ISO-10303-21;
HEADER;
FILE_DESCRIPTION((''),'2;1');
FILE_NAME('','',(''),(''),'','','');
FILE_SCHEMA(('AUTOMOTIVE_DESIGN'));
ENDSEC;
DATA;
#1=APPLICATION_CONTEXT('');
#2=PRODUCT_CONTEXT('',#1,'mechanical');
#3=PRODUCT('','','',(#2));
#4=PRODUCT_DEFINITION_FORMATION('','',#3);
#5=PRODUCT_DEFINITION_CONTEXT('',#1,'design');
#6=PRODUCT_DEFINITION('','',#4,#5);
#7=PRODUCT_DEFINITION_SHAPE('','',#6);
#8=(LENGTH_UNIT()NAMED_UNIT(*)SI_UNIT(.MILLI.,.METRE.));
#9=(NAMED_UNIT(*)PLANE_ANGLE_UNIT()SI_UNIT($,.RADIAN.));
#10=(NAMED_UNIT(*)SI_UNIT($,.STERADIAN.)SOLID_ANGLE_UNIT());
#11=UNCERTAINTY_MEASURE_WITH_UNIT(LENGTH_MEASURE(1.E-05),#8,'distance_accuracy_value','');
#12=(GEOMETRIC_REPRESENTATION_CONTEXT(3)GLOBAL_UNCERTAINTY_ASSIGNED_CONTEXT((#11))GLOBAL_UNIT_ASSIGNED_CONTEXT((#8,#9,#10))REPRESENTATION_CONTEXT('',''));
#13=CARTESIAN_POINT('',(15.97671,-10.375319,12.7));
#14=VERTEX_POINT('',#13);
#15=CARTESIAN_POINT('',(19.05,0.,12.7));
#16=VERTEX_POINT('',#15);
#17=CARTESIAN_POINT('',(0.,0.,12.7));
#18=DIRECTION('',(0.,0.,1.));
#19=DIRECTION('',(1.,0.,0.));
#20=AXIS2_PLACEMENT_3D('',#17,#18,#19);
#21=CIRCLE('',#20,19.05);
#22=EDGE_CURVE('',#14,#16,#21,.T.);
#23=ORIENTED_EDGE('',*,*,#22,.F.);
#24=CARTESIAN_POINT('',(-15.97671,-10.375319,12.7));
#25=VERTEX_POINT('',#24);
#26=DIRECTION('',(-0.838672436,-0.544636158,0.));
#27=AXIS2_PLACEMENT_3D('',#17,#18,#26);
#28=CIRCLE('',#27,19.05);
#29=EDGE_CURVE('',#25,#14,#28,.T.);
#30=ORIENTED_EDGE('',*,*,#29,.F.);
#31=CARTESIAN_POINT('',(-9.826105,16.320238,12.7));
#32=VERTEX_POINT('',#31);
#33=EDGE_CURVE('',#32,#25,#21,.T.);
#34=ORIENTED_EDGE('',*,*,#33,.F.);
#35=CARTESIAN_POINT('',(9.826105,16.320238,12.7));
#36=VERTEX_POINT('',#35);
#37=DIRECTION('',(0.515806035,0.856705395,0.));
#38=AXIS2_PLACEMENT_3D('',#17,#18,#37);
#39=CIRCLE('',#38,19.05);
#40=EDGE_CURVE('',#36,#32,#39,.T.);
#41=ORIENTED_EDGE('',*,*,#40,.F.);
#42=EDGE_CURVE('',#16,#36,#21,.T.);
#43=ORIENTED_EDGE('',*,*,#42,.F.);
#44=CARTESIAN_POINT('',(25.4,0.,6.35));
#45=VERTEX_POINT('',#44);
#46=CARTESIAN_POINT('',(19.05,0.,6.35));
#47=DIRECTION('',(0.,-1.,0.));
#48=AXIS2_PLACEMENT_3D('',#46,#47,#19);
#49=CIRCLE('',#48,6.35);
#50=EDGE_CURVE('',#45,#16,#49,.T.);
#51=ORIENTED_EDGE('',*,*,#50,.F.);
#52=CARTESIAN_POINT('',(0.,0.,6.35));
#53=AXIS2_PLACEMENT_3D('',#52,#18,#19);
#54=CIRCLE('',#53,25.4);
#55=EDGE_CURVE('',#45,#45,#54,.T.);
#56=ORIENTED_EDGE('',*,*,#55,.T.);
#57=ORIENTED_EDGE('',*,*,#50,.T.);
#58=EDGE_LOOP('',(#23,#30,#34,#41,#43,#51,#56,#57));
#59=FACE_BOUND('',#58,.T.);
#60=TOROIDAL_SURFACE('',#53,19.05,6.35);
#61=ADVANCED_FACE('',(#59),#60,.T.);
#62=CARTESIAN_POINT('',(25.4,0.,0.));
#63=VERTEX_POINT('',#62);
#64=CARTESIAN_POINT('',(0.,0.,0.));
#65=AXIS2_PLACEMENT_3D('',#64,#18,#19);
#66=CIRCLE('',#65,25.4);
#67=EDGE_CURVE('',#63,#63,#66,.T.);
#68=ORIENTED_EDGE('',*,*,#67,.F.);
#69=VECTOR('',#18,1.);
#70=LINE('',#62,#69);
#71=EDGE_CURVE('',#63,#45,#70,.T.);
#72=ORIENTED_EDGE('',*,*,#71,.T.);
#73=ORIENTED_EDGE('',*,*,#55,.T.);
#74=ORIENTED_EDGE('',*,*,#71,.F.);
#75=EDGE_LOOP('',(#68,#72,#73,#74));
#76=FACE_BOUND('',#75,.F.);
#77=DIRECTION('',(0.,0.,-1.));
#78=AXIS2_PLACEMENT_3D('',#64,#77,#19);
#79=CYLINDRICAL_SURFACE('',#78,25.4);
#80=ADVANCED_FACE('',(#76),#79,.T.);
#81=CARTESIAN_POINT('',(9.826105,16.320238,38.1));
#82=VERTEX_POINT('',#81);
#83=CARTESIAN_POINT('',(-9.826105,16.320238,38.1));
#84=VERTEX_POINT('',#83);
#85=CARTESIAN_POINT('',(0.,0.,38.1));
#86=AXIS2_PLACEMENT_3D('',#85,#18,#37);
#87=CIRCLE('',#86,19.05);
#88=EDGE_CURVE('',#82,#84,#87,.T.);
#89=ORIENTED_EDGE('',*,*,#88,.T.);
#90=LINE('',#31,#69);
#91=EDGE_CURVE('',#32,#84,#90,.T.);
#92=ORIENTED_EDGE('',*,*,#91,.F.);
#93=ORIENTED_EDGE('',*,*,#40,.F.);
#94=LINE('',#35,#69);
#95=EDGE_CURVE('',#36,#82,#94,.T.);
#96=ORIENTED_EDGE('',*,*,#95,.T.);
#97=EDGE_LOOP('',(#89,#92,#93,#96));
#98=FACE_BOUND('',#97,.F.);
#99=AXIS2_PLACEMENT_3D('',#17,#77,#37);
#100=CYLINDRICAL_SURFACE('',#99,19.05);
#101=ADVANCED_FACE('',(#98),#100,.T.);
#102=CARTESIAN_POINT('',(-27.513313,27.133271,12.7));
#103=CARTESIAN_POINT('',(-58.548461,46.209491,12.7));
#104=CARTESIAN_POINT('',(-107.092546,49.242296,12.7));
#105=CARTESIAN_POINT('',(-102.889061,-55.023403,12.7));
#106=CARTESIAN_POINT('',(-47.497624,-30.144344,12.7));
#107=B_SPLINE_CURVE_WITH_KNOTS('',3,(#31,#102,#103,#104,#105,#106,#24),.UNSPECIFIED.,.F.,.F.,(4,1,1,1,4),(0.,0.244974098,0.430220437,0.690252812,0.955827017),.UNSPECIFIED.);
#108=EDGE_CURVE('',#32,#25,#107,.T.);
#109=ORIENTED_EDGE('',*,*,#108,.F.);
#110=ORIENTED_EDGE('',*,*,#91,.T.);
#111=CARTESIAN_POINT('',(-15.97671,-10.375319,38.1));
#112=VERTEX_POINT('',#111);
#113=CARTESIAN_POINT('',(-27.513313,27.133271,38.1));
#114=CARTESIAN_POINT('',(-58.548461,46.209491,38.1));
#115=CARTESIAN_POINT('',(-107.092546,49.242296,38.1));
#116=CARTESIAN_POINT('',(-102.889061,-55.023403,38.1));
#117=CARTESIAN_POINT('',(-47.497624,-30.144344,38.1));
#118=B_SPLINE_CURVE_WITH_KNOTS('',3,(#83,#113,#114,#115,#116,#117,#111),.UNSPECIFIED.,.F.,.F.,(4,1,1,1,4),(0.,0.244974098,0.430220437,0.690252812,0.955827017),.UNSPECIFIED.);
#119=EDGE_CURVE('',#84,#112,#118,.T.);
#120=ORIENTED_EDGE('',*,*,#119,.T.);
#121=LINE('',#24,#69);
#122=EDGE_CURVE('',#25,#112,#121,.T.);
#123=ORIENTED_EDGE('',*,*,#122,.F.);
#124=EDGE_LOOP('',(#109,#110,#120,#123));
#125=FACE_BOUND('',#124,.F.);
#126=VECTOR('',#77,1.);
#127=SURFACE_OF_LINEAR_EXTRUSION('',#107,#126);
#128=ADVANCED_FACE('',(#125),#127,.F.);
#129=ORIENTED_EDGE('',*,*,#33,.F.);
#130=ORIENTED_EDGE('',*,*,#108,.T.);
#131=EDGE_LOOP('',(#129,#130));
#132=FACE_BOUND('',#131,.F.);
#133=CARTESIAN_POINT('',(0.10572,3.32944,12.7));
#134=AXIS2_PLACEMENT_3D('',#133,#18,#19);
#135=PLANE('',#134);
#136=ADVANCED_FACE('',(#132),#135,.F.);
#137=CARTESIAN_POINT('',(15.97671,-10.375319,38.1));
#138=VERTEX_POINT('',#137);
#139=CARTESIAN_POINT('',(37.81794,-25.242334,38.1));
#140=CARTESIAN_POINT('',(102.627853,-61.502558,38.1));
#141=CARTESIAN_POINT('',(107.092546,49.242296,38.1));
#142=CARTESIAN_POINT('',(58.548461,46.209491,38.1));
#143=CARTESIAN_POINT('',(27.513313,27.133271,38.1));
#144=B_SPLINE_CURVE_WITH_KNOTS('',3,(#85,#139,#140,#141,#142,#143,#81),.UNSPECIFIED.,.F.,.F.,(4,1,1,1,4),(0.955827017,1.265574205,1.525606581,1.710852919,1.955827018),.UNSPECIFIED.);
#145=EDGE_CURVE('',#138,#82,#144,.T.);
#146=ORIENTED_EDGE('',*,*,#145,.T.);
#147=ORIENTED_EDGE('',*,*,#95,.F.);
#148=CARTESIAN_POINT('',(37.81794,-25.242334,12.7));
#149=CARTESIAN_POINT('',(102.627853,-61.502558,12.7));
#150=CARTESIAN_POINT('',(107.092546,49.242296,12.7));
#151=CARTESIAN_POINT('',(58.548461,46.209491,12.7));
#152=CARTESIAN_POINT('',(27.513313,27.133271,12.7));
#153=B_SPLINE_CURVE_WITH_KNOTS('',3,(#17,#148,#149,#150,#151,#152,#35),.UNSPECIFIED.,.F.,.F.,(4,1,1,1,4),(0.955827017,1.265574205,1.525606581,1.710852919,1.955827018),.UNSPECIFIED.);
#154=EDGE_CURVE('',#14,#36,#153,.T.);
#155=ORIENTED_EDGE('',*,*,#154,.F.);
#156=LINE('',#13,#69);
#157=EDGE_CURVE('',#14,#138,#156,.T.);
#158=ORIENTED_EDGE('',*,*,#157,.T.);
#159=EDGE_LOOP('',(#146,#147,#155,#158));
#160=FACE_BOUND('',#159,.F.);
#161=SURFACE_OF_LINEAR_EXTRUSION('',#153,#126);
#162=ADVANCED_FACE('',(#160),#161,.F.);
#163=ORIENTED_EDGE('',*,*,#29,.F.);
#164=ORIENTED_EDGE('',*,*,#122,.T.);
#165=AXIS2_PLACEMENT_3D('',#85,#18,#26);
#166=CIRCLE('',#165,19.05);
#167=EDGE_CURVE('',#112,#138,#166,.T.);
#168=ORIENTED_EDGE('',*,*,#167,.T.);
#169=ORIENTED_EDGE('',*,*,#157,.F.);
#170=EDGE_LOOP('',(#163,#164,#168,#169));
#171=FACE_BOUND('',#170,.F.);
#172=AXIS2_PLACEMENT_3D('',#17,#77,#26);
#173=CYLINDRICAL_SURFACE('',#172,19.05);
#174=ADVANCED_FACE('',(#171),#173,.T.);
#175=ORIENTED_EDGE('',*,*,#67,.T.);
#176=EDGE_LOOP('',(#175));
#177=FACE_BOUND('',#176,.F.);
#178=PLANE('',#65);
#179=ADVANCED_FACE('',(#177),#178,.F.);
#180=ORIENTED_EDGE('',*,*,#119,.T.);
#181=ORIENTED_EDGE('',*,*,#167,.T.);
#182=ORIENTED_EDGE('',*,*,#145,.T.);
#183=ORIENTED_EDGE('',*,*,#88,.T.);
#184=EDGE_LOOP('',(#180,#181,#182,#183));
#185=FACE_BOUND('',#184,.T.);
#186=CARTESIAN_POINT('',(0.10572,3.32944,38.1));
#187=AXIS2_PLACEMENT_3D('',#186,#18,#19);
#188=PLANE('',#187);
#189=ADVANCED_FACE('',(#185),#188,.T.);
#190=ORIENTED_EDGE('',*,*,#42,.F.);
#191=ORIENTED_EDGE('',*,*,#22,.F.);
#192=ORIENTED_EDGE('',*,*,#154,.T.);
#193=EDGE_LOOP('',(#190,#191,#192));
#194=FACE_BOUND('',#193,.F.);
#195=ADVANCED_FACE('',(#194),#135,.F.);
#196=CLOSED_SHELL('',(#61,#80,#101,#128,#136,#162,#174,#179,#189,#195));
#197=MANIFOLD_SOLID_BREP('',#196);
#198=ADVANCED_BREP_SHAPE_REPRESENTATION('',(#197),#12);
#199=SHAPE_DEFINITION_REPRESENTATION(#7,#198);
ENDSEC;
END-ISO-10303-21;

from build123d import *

# Parameters (mm, degrees)
F0_R     = 25.4
F1_DEPTH = 12.7
F2_R     = 6.35
F4_DEPTH = 25.4


with BuildPart() as f1:
    # F0 (on Top) → F1 (new body)
    with BuildSketch(Plane.XY):
        Circle(F0_R)
    extrude(amount=F1_DEPTH)

    # F2
    f2_edges = [f1.edges().sort_by_distance(p)[0] for p in [
        (-25.4, 0, 12.7),
    ]]
    fillet(f2_edges, radius=F2_R)

    # F3 (on face) → F4 (join)
    with BuildSketch(Plane.XY.offset(12.7)):
        with BuildLine():
            ThreePointArc((15.9767099151, -10.3753188042), (18.2655252304, -5.4104609839), (19.05, 0))
            ThreePointArc((19.05, 0), (16.5844776781, 9.3732385089), (9.8261049717, 16.3202377766))
            ThreePointArc((9.8261049717, 16.3202377766), (0, 19.05), (-9.8261049717, 16.3202377766))
            ThreePointArc((-9.8261049717, 16.3202377766), (-18.5636607195, 4.2770317616), (-15.9767099151, -10.3753188042))
            add(Edge.make_bspline(
                [(-15.9767099151, -10.3753188042), (-10.733833245, -7.0871349658), (-5.3932086394, -3.5998040782), (0, 0)],
                knots=[0.9558270174, 0.9558270174, 0.9558270174, 0.9558270174, 1, 1, 1, 1], degree=3))
            add(Edge.make_bspline(
                [(15.9767099151, -10.3753188042), (10.733833245, -7.0871349658), (5.3932086394, -3.5998040782), (0, 0)],
                knots=[0.9558270174, 0.9558270174, 0.9558270174, 0.9558270174, 1, 1, 1, 1], degree=3))
        make_face()
        with BuildLine():
            ThreePointArc((9.8261049717, 16.3202377766), (16.5844776781, 9.3732385089), (19.05, 0))
            ThreePointArc((19.05, 0), (18.2655252304, -5.4104609839), (15.9767099151, -10.3753188042))
            add(Edge.make_bspline(
                [(9.8261049717, 16.3202377766), (27.5133129115, 27.1332712353), (58.5484608841, 46.2094911101), (107.0925459928, 49.2422955372), (102.8890607811, -55.0234025928), (47.4976243758, -30.1443440976), (15.9767099151, -10.3753188042)],
                knots=[0, 0, 0, 0, 0.2449740985, 0.4302204371, 0.6902528121, 0.9558270174, 0.9558270174, 0.9558270174, 0.9558270174], degree=3))
        make_face()
        with BuildLine():
            ThreePointArc((-15.9767099151, -10.3753188042), (0, -19.05), (15.9767099151, -10.3753188042))
            add(Edge.make_bspline(
                [(15.9767099151, -10.3753188042), (10.733833245, -7.0871349658), (5.3932086394, -3.5998040782), (0, 0)],
                knots=[0.9558270174, 0.9558270174, 0.9558270174, 0.9558270174, 1, 1, 1, 1], degree=3))
            add(Edge.make_bspline(
                [(-15.9767099151, -10.3753188042), (-10.733833245, -7.0871349658), (-5.3932086394, -3.5998040782), (0, 0)],
                knots=[0.9558270174, 0.9558270174, 0.9558270174, 0.9558270174, 1, 1, 1, 1], degree=3))
        make_face()
        with BuildLine():
            ThreePointArc((-15.9767099151, -10.3753188042), (-18.5636607195, 4.2770317616), (-9.8261049717, 16.3202377766))
            add(Edge.make_bspline(
                [(-9.8261049717, 16.3202377766), (-27.5133129115, 27.1332712353), (-58.5484608841, 46.2094911101), (-107.0925459928, 49.2422955372), (-102.8890607811, -55.0234025928), (-47.4976243758, -30.1443440976), (-15.9767099151, -10.3753188042)],
                knots=[0, 0, 0, 0, 0.2449740985, 0.4302204371, 0.6902528121, 0.9558270174, 0.9558270174, 0.9558270174, 0.9558270174], degree=3))
        make_face()
    extrude(amount=F4_DEPTH)


solid = f1.part
